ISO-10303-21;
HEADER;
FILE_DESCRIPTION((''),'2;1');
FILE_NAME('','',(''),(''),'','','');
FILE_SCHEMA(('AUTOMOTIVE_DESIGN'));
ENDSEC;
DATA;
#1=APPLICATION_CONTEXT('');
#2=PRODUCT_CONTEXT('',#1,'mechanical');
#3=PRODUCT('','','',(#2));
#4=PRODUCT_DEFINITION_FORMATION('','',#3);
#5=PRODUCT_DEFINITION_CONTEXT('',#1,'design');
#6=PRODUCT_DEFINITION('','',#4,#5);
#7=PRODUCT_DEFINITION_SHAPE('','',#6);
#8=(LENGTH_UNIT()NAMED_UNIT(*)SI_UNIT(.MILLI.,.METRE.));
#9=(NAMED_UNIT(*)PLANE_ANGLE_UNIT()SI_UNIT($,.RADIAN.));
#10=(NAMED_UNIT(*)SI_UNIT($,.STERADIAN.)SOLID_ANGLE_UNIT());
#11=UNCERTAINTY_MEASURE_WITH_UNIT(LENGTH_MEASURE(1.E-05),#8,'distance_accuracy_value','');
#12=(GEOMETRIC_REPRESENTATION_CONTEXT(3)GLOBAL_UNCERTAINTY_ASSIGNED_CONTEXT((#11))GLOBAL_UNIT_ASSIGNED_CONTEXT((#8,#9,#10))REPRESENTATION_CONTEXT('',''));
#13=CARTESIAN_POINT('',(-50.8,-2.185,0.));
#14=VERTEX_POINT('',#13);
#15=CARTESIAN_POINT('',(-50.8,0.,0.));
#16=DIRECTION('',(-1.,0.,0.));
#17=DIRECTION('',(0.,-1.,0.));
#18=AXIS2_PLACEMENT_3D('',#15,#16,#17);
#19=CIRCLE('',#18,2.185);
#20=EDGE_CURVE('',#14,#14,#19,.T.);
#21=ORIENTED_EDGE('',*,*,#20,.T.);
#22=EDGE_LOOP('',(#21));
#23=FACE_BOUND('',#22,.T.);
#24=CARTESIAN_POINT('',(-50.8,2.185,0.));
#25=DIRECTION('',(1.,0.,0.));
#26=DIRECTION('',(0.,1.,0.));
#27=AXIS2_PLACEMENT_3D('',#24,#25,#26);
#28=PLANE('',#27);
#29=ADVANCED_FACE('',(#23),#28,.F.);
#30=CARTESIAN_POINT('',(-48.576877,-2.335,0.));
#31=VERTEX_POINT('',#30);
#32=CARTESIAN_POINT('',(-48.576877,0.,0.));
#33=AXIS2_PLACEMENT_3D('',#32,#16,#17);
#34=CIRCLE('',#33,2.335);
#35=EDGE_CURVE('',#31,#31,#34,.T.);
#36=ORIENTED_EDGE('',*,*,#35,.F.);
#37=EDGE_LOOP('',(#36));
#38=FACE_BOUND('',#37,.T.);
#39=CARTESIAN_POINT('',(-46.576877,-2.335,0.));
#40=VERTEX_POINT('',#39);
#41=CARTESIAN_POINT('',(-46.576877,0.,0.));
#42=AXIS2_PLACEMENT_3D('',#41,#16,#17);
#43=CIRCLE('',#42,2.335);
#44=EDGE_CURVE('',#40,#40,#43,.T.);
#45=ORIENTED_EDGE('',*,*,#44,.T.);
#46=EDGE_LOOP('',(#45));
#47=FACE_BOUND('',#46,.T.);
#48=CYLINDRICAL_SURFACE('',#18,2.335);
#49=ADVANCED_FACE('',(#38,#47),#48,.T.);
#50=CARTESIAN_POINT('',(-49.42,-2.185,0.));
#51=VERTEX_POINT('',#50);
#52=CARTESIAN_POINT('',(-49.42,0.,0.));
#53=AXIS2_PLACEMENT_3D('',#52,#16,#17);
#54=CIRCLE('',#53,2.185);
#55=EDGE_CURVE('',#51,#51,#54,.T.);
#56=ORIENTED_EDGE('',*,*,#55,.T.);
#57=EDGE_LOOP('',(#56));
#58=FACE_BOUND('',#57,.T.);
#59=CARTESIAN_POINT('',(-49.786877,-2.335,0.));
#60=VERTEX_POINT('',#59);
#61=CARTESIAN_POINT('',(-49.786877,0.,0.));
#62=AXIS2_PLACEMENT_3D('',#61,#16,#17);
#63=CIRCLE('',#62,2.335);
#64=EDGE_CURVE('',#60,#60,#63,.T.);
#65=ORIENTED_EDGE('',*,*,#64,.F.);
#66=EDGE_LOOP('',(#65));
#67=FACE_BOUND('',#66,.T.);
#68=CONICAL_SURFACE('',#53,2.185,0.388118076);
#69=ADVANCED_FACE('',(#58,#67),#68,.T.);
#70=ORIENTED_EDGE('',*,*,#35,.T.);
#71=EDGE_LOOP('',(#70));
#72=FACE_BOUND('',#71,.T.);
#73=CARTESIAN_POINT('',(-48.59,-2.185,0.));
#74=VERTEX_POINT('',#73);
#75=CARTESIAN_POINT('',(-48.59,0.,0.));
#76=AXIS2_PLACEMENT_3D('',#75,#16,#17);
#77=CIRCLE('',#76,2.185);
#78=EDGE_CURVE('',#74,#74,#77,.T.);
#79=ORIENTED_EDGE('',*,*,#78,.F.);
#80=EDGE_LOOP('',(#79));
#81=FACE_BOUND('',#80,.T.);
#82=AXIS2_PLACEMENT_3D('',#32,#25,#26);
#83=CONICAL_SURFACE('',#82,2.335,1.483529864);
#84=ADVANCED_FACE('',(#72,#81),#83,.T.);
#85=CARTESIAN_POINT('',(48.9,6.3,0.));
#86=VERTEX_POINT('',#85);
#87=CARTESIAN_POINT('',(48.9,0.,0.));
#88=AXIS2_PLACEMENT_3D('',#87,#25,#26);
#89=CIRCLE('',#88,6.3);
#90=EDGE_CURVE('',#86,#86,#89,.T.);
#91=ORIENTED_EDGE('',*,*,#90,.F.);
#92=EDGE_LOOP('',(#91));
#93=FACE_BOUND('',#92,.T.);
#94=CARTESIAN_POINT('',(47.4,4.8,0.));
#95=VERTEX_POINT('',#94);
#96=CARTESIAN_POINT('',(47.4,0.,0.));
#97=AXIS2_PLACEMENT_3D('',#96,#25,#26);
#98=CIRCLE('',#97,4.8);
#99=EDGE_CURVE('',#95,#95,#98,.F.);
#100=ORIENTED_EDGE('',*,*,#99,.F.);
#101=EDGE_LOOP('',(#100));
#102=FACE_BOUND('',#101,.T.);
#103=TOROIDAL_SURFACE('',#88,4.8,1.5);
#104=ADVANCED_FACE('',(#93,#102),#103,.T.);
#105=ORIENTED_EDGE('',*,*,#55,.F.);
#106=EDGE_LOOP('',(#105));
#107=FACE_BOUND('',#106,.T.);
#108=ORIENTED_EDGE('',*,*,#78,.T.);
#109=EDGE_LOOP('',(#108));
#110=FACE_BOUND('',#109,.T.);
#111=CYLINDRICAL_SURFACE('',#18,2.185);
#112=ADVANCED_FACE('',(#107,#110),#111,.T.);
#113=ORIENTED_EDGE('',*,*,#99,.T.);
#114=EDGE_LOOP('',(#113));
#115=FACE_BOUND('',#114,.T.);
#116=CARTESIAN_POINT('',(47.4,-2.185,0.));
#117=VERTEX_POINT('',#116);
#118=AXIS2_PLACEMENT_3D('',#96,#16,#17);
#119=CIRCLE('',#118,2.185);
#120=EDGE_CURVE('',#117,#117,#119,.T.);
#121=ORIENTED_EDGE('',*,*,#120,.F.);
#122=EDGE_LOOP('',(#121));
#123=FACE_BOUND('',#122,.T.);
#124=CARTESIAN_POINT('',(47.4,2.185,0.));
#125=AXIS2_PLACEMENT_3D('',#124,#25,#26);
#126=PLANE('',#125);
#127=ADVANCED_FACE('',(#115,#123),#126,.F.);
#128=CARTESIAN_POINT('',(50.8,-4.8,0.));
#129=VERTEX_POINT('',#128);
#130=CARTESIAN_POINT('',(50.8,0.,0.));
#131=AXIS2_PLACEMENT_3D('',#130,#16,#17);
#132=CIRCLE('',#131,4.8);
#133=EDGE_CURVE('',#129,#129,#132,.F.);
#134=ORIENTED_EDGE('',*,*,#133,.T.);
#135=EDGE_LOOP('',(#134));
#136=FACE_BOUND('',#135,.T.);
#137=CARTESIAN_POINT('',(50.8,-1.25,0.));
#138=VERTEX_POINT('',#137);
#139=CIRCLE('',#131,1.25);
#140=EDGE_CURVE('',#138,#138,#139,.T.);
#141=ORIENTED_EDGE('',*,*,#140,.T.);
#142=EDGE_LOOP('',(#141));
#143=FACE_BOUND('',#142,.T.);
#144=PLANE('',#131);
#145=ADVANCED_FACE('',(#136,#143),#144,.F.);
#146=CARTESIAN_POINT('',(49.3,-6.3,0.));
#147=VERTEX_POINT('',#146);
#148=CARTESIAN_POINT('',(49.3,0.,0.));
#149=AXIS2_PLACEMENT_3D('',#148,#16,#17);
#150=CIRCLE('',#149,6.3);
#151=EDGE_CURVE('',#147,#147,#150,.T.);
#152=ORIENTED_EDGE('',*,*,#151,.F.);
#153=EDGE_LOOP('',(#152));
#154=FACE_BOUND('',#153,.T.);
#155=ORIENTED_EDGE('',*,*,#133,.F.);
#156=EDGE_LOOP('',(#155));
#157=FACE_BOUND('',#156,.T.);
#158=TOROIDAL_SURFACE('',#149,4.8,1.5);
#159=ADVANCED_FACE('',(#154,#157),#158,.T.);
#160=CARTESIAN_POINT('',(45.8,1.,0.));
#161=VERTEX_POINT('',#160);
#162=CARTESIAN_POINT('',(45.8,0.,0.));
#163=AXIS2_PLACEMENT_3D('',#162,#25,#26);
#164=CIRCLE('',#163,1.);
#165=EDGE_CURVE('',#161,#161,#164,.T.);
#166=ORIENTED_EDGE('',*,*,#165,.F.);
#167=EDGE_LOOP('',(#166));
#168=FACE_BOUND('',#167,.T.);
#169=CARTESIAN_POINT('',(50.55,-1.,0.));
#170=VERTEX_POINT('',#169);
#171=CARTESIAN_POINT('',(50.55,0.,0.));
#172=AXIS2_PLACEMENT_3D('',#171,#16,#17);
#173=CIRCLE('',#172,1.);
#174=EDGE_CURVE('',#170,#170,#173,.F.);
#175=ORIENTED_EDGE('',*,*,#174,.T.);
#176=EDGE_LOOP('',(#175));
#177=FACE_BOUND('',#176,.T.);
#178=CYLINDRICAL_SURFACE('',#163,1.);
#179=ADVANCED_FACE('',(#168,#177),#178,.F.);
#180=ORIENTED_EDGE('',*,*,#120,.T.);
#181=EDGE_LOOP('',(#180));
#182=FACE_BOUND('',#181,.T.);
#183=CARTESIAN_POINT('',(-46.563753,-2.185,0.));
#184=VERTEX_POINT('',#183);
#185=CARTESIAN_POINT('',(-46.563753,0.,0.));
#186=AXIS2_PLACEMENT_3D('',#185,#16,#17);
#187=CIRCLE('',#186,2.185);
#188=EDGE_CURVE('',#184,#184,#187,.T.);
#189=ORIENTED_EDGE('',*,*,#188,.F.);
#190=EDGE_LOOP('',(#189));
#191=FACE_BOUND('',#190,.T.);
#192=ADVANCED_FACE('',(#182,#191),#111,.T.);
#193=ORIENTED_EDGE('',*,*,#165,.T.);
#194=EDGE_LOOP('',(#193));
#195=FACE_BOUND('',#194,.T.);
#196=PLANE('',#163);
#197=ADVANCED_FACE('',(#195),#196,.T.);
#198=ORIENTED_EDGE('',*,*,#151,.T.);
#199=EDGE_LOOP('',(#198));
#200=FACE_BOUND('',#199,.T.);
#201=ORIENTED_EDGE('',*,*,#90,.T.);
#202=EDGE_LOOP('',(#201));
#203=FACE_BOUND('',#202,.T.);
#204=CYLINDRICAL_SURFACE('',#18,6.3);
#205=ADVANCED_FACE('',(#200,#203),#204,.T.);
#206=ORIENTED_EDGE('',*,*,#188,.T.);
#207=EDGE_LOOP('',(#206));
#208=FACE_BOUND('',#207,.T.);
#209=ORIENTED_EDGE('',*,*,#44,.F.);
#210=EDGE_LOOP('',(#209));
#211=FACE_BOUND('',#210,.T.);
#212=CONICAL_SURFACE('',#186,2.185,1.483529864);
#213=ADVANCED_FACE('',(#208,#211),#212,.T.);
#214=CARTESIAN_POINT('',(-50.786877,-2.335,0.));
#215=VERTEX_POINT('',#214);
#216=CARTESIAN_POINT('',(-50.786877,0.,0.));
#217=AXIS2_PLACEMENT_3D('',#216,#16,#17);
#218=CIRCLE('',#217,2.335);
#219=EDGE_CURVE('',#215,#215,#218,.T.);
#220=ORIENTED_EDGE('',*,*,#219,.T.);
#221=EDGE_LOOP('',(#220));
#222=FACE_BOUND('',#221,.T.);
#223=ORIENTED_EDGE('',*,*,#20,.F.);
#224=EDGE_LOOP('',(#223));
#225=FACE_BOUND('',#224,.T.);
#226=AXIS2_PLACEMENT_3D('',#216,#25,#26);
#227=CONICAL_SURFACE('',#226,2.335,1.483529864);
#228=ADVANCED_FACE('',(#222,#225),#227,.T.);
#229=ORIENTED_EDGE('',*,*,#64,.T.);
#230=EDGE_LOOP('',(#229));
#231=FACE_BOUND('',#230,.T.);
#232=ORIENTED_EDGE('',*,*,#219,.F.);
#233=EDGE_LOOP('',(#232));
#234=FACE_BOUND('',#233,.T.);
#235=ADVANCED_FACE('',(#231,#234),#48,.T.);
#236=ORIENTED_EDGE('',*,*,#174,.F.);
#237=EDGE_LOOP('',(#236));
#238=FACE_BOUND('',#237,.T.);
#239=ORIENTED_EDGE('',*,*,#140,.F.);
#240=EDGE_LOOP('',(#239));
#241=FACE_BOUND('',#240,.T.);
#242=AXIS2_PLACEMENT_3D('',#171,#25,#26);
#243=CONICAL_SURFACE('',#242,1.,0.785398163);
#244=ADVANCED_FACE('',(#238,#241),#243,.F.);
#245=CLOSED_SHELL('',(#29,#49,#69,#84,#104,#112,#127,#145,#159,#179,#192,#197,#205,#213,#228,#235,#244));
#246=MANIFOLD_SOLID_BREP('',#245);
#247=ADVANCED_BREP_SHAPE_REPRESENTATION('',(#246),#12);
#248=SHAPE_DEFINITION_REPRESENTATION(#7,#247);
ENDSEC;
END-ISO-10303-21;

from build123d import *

# Parameters (mm, degrees)
SKETCH2_R          = 1
CUT_EXTRUDE1_DEPTH = 5
FILLET1_R          = 1.5
CHAMFER1_SIZE      = 0.25


with BuildPart() as part:
    # Sketch1 → Revolve1 (revolve)
    with BuildSketch(Plane.XY):
        Polygon((-49.42, 2.185), (-48.59, 2.185), (-48.5768767, 2.335), (-46.5768767, 2.335), (-46.563753401, 2.185), (47.4, 2.185), (47.4, 6.3), (50.8, 6.3), (50.8, 0), (-50.8, 0), (-50.8, 2.185), (-50.7868767, 2.335), (-49.7868767, 2.335), align=None)
    revolve(axis=Axis((-50.8, 0, 0), (1, 0, 0)))

    # Sketch2 → Cut-Extrude1 (cut)
    with BuildSketch(Plane(origin=(50.8, 0, 0), x_dir=(0, 0, -1), z_dir=(1, 0, 0))):
        Circle(SKETCH2_R)
    extrude(amount=-CUT_EXTRUDE1_DEPTH, mode=Mode.SUBTRACT)

    # Fillet1
    fillet1_edges = [part.edges().sort_by_distance(p)[0] for p in [
        (47.4, -6.3, 0),
        (50.8, -6.3, 0),
    ]]
    fillet(fillet1_edges, radius=FILLET1_R)

    # Chamfer1
    chamfer1_edges = [part.edges().sort_by_distance(p)[0] for p in [
        (50.8, 0, 1),
    ]]
    chamfer(chamfer1_edges, length=CHAMFER1_SIZE)


solid = part.part
